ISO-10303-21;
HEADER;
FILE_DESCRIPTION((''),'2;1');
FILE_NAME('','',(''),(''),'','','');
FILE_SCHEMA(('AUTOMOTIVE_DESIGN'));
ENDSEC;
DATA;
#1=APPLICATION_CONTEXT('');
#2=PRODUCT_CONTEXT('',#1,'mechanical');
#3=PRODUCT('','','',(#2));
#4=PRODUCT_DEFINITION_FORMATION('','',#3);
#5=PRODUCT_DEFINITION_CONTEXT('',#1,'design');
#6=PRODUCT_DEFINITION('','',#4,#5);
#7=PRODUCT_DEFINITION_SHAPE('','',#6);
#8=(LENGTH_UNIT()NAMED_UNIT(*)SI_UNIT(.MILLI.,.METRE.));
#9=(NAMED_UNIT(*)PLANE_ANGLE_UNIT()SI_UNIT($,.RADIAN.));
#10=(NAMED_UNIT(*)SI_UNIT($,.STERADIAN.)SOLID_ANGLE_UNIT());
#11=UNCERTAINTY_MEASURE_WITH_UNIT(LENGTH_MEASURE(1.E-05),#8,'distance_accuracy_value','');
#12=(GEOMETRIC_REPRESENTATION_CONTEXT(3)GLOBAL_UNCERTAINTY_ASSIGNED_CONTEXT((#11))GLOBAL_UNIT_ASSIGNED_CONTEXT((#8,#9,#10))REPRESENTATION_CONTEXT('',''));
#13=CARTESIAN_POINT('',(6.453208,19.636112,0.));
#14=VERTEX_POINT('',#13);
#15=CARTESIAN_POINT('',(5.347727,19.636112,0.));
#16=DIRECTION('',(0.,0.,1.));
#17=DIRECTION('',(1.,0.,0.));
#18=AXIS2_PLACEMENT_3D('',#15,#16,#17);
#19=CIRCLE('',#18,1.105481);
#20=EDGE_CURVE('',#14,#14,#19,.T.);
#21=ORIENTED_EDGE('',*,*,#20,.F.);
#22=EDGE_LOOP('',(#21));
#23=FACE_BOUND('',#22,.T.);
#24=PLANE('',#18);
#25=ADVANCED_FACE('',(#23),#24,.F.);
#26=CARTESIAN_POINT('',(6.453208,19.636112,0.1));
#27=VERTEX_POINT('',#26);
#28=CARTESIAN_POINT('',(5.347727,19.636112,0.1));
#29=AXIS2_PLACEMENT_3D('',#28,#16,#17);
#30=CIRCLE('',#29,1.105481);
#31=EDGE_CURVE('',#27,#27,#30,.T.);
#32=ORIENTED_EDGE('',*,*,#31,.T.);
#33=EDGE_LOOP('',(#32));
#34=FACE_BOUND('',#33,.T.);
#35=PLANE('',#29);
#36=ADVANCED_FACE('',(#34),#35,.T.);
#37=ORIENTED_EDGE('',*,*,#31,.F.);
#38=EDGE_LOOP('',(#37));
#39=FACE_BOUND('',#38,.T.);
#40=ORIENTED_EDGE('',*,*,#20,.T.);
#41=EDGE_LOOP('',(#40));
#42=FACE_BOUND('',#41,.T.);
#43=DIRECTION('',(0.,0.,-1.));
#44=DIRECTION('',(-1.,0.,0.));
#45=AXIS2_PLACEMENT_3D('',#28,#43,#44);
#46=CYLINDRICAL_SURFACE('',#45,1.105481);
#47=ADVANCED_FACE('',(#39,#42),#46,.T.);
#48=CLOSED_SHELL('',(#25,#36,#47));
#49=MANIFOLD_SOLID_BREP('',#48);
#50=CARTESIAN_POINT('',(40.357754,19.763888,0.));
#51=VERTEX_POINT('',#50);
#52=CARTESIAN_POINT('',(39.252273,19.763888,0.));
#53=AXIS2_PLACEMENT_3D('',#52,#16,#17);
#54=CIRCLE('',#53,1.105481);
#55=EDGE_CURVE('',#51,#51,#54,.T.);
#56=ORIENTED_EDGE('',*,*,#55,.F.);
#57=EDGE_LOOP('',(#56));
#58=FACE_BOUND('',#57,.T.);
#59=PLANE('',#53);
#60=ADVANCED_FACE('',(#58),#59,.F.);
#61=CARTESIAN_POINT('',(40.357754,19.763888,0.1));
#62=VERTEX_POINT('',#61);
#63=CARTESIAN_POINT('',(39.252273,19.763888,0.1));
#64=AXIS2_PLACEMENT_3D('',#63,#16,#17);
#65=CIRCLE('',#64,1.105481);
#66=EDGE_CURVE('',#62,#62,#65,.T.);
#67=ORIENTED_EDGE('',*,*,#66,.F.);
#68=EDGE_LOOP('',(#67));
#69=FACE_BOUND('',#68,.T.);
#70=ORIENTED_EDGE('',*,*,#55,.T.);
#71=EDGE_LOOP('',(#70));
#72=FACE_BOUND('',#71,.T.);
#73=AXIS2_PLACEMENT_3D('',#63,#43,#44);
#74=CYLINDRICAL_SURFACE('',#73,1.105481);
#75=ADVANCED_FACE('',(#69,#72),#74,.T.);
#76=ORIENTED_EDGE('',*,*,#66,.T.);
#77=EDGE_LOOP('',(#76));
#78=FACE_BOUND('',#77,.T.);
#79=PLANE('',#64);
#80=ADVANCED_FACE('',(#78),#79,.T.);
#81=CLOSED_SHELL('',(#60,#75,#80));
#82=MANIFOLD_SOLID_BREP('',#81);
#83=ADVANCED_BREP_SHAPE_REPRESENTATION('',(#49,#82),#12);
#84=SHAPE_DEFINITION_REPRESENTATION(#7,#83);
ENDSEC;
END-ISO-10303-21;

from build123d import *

# Parameters (mm, degrees)
MODEL_R                   = 1.105480949
SALIENTE_EXTRUIR1_DEPTH   = 0.1
SALIENTE_EXTRUIR1_2_DEPTH = 0.1


with BuildPart() as part:
    # Model → Saliente-Extruir1 (new body)
    with BuildSketch(Plane.XY):
        with Locations((39.252272992, 19.763887994)):
            Circle(MODEL_R)
    extrude(amount=SALIENTE_EXTRUIR1_DEPTH)


with BuildPart() as body_2:
    # Model → Saliente-Extruir1 2 (new body)
    with BuildSketch(Plane.XY):
        with Locations((5.347727008, 19.636112006)):
            Circle(MODEL_R)
    extrude(amount=SALIENTE_EXTRUIR1_2_DEPTH)


solid = Compound([part.part, body_2.part])
